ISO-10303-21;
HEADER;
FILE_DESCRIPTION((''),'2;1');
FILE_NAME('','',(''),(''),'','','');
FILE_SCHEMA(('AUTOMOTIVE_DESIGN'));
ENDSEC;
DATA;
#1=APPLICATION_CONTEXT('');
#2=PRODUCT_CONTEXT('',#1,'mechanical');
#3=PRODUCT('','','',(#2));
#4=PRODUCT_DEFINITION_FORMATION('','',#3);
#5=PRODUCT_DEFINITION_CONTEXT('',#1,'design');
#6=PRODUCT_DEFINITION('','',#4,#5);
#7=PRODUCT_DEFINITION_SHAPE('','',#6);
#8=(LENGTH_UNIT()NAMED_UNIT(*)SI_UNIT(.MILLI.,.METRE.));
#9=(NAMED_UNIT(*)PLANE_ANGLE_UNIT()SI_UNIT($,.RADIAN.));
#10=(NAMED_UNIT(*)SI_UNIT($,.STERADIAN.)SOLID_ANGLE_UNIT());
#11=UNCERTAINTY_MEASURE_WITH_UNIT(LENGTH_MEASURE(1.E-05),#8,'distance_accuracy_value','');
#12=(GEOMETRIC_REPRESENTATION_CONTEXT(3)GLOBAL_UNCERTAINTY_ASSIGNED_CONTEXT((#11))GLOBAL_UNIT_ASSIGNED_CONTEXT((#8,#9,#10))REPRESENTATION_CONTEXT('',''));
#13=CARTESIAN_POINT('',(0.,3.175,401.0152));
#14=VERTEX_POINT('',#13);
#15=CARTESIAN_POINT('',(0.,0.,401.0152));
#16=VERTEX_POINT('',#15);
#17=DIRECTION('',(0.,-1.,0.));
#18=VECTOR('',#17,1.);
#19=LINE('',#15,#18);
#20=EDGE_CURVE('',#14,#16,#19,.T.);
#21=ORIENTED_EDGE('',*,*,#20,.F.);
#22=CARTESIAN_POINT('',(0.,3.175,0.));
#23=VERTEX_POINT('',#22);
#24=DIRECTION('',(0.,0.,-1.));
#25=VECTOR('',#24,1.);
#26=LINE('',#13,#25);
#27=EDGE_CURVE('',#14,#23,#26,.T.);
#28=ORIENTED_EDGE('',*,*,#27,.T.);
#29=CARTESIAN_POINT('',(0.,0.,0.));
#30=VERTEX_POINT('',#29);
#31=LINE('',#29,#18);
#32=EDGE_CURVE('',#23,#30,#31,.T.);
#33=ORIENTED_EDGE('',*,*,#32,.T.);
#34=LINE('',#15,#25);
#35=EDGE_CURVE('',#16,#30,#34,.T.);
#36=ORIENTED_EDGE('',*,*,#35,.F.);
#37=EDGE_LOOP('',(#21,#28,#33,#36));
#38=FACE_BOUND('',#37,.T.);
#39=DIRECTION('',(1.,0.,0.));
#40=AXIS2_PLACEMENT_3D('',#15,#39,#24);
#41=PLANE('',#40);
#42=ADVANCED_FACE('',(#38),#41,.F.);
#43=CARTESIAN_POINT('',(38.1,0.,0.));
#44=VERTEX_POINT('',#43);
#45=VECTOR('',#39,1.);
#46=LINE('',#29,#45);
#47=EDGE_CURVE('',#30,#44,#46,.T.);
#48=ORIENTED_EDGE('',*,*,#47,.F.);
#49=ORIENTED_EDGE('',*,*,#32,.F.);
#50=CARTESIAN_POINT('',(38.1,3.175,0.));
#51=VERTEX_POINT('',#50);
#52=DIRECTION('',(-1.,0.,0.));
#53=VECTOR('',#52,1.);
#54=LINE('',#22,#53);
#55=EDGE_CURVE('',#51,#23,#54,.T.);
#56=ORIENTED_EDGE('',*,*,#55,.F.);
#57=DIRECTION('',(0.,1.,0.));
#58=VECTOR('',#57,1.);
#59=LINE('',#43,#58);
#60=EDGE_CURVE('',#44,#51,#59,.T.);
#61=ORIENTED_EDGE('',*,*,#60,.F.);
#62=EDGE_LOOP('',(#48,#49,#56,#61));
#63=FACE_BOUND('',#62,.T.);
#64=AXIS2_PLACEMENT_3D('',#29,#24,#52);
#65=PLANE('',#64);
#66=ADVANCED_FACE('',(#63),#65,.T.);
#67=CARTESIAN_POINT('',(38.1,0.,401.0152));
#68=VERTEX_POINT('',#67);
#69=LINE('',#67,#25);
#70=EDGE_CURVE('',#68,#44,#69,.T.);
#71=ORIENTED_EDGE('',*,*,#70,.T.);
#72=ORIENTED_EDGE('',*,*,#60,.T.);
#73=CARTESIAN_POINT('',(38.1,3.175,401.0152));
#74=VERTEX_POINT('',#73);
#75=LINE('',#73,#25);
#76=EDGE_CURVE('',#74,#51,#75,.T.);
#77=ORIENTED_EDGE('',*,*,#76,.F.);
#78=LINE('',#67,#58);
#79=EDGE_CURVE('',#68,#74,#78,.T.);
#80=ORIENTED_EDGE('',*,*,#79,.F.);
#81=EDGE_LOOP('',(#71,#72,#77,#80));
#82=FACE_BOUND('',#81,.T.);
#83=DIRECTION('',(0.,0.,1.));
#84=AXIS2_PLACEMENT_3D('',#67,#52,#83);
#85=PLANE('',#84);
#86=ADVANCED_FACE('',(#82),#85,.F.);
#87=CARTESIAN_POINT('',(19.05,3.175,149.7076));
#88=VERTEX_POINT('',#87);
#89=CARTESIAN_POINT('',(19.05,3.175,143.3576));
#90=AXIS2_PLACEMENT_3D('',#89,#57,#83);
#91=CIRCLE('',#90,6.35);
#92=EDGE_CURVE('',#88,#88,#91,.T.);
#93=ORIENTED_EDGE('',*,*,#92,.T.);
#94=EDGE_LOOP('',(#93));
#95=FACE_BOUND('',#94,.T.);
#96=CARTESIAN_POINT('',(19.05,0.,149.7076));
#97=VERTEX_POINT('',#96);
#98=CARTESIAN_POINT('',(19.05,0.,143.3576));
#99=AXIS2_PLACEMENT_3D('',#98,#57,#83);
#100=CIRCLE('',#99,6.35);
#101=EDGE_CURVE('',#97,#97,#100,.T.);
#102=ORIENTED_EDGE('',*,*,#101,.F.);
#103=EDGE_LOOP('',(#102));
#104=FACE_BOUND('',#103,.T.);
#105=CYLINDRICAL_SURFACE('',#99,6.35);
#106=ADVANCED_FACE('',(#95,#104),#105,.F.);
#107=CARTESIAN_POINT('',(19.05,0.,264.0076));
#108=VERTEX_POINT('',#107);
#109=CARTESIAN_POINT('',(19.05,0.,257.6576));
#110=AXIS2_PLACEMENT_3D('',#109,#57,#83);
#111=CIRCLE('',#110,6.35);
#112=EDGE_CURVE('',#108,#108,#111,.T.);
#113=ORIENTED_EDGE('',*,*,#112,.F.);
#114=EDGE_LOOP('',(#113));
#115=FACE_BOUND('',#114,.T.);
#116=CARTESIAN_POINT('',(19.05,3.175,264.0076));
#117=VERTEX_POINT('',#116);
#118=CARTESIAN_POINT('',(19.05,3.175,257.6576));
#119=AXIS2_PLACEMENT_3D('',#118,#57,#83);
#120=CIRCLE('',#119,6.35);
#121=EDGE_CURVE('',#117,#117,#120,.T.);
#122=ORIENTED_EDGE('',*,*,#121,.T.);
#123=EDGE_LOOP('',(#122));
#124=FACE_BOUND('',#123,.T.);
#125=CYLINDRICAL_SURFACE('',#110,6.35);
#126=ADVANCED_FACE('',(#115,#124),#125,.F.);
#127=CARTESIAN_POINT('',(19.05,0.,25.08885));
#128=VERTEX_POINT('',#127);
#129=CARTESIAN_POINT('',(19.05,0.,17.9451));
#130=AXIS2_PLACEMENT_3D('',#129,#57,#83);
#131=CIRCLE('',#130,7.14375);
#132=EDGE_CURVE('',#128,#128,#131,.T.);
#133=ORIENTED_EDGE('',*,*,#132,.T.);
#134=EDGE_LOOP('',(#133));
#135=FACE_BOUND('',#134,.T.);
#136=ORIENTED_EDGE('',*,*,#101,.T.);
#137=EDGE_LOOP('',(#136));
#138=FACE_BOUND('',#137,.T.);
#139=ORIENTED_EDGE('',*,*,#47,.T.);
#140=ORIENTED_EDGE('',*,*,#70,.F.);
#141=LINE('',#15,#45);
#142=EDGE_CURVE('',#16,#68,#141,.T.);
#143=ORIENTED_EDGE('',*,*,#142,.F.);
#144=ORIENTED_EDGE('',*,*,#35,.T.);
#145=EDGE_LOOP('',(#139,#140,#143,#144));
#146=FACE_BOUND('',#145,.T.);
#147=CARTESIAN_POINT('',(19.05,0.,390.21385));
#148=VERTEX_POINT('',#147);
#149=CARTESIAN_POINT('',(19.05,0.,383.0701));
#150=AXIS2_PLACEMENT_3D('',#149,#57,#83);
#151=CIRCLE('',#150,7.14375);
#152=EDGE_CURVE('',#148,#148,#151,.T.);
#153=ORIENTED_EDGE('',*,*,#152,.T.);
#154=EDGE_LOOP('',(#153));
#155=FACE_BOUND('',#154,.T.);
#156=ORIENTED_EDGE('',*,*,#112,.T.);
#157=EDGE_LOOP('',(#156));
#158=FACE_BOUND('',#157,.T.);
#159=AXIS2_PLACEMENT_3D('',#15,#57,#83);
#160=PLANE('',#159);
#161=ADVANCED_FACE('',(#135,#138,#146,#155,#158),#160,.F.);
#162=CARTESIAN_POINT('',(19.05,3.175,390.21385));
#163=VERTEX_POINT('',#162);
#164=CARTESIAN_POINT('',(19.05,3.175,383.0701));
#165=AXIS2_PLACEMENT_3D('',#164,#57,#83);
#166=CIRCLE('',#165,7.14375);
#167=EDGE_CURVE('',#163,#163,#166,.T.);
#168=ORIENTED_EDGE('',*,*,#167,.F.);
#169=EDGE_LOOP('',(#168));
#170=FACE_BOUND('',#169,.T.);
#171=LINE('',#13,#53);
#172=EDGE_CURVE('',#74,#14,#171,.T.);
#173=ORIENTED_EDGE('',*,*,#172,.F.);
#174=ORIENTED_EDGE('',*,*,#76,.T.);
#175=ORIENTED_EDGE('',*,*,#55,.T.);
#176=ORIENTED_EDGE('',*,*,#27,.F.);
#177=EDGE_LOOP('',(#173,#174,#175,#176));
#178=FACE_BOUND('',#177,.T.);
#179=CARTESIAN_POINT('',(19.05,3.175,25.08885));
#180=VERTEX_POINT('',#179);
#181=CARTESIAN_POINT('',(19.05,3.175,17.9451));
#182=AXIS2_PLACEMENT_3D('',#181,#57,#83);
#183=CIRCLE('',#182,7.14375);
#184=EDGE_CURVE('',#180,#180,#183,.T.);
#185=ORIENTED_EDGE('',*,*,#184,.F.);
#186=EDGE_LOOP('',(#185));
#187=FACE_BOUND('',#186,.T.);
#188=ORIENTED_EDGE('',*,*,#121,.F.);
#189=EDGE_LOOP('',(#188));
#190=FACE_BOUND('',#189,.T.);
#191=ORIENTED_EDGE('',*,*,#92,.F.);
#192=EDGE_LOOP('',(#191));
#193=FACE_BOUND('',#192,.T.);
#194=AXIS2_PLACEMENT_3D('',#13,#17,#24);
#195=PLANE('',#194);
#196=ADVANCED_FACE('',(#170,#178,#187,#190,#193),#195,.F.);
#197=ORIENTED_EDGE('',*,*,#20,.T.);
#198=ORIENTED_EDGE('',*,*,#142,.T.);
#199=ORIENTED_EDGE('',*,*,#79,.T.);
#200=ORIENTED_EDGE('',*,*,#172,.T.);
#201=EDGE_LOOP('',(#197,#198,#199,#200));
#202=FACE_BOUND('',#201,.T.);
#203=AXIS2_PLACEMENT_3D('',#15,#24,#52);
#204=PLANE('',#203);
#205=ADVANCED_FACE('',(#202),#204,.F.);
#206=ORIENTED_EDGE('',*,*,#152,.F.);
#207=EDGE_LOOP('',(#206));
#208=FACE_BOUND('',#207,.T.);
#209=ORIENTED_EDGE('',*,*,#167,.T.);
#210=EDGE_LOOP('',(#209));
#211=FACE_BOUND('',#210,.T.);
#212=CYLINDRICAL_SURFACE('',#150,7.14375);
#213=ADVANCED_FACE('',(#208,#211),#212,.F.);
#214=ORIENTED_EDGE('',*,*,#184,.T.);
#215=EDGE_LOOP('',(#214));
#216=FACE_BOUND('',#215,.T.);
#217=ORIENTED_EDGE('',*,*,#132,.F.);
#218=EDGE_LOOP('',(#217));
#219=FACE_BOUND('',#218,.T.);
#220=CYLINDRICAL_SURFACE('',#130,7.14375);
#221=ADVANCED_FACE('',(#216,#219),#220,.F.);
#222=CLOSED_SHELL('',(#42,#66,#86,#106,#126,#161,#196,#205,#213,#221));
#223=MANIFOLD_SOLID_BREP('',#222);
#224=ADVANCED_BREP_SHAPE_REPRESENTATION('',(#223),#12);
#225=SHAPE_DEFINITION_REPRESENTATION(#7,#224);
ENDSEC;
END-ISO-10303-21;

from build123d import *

# Parameters (mm, degrees)
SKETCH1_W           = 38.1
SKETCH1_H           = 3.175
BOSS_EXTRUDE1_DEPTH = 401.0152
SKETCH2_R           = 7.14375
SKETCH2_R_2         = 6.35
CUT_EXTRUDE1_DEPTH  = 403.833565205


with BuildPart() as part:
    # Sketch1 → Boss-Extrude1 (new body)
    with BuildSketch(Plane.XY):
        with Locations((19.05, 1.5875)):
            Rectangle(SKETCH1_W, SKETCH1_H)
    extrude(amount=BOSS_EXTRUDE1_DEPTH)

    # Sketch2 → Cut-Extrude1 (cut, through all)
    with BuildSketch(Plane(origin=(0, 3.175, 0), x_dir=(1, 0, 0), z_dir=(0, 1, 0))):
        with Locations(Location((19.05, -383.0701, 0), (0, 0, 270))):
            Circle(SKETCH2_R)
        with Locations(Location((19.05, -17.9451, 0), (0, 0, 270))):
            Circle(SKETCH2_R)
        with Locations(Location((19.05, -257.6576, 0), (0, 0, 270))):
            Circle(SKETCH2_R_2)
        with Locations(Location((19.05, -143.3576, 0), (0, 0, 270))):
            Circle(SKETCH2_R_2)
    extrude(amount=-CUT_EXTRUDE1_DEPTH, mode=Mode.SUBTRACT)


solid = part.part
